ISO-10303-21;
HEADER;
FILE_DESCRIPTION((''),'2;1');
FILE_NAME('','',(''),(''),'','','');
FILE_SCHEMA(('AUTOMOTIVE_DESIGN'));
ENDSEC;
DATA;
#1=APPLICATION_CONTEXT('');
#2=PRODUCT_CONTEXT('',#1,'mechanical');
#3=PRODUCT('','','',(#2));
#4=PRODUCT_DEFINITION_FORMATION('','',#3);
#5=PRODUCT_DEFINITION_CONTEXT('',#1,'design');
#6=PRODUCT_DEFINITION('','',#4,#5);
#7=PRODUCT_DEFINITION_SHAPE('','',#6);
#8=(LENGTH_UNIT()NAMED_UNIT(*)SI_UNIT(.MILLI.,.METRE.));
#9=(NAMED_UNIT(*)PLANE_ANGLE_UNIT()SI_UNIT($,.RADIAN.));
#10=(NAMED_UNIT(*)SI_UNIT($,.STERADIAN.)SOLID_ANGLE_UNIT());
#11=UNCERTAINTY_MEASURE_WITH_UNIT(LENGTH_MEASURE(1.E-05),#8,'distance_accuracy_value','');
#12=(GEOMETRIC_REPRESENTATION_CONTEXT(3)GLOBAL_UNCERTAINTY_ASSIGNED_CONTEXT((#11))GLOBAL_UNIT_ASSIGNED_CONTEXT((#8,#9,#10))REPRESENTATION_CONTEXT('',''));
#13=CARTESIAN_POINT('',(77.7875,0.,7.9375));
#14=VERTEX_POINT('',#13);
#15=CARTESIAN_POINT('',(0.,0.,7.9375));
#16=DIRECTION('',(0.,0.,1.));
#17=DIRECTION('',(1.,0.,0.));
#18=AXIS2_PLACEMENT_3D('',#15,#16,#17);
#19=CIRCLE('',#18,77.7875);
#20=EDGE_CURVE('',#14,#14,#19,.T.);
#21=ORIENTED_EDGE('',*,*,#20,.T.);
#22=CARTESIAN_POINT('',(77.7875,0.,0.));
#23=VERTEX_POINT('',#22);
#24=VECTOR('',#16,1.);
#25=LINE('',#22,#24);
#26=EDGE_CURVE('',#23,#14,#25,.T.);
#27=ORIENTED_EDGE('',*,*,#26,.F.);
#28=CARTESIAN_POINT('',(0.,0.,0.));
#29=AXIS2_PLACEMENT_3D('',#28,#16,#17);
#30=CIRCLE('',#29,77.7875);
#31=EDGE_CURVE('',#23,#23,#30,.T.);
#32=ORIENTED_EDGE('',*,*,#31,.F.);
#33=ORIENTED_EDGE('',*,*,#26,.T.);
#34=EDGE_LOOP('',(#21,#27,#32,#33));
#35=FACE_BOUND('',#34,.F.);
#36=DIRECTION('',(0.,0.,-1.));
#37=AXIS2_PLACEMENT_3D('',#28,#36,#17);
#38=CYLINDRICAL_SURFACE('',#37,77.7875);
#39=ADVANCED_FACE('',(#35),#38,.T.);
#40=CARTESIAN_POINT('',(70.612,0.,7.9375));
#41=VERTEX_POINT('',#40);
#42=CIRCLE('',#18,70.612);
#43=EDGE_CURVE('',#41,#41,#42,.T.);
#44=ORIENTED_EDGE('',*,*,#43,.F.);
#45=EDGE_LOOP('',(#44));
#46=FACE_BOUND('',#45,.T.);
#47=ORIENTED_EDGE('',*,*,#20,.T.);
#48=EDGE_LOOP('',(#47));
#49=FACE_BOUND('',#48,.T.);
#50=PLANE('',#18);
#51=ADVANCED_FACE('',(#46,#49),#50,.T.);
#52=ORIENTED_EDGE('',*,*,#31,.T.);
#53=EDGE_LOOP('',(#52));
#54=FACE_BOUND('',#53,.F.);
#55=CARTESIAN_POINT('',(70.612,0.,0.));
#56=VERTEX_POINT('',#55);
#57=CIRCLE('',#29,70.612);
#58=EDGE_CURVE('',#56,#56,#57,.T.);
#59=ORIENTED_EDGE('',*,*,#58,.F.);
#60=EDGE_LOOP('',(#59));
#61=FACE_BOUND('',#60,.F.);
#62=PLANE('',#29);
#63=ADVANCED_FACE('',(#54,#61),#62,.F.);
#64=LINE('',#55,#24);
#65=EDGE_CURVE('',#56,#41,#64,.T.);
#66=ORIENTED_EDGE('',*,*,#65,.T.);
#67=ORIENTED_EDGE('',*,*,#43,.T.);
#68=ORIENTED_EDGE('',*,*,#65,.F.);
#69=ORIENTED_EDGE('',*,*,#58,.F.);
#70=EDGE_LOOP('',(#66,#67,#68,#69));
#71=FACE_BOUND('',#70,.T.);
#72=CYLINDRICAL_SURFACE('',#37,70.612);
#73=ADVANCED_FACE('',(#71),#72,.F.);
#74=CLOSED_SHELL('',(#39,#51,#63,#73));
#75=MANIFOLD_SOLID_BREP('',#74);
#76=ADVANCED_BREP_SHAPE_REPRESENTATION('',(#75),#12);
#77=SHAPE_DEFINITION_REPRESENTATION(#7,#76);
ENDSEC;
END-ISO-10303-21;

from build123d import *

# Parameters (mm, degrees)
F1_R     = 77.7875
F1_R_2   = 70.612
F2_DEPTH = 7.9375


with BuildPart() as f2:
    # F1 (on face) → F2 (new body)
    with BuildSketch(Plane.XY):
        Circle(F1_R)
        Circle(F1_R_2, mode=Mode.SUBTRACT)
    extrude(amount=F2_DEPTH)


solid = f2.part
